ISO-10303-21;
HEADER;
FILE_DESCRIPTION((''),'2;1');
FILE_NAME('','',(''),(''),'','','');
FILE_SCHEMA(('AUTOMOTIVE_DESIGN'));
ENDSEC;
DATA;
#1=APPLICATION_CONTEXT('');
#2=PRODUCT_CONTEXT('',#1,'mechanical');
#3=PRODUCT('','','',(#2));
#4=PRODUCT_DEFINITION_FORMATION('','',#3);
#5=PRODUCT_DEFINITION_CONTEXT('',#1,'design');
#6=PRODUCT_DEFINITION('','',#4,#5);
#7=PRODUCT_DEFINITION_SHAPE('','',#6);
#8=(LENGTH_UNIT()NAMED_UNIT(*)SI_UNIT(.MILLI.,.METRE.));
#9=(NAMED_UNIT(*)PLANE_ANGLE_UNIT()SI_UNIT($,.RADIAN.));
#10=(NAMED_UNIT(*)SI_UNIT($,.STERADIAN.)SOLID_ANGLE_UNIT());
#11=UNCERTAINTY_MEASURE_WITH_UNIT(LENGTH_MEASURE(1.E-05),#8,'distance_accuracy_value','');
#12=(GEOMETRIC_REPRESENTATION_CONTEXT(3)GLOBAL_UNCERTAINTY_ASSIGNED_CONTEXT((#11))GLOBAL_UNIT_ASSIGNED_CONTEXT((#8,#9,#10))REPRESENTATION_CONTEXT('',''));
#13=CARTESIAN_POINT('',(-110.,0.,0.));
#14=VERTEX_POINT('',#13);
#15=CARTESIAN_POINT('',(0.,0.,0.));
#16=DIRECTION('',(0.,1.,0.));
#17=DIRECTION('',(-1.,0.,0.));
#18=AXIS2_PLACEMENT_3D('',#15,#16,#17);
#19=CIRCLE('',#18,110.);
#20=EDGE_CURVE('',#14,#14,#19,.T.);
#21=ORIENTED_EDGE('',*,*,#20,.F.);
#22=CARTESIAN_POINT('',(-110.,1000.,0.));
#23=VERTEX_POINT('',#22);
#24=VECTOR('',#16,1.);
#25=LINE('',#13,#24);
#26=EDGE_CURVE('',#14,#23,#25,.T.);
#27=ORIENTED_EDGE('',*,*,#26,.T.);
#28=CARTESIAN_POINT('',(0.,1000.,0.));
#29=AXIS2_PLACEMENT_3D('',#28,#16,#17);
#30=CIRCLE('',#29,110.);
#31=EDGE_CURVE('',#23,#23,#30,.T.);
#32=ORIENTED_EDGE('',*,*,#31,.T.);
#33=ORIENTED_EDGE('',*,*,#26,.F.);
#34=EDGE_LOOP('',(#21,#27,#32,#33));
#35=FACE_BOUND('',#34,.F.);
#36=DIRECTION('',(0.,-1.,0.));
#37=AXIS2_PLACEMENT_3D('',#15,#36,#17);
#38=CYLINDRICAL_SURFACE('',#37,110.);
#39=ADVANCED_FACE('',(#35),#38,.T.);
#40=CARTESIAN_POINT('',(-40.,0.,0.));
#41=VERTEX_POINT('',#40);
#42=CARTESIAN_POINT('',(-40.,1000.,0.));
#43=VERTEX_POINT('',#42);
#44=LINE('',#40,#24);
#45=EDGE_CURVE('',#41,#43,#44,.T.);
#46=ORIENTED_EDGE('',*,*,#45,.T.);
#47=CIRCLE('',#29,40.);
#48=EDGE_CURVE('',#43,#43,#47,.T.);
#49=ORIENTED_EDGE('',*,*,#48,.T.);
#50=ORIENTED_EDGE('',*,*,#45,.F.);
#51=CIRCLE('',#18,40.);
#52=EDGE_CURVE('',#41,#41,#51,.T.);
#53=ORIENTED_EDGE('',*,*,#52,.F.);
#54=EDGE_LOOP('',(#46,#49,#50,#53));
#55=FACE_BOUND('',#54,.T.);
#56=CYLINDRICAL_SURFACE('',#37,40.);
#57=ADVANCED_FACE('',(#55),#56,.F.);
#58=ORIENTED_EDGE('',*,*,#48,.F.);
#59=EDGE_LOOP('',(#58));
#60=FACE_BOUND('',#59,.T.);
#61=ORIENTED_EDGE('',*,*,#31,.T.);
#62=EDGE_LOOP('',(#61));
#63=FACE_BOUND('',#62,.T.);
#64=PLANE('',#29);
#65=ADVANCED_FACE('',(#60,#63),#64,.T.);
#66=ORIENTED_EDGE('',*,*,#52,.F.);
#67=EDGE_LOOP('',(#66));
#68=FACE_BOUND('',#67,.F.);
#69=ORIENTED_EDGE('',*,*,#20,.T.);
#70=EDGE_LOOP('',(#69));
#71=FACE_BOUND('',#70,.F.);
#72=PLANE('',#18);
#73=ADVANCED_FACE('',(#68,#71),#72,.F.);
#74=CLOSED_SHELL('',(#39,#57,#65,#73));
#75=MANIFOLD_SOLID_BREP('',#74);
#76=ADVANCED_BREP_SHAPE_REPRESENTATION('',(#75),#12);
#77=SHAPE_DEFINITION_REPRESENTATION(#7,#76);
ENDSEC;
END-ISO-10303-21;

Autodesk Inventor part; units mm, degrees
ref_plane "YZ Plane" through (0, 0, 0) normal (1, 0, 0) x (0, 1, 0)
ref_plane "XZ Plane" through (0, 0, 0) normal (0, 1, 0) x (-1, 0, 0)
ref_plane "XY Plane" through (0, 0, 0) normal (0, 0, 1) x (1, 0, 0)
sketch "Sketch1" plane through (0, 0, 0) normal (0, 1, 0) x (-1, 0, 0)
  circle A0 centre (0, 0) radius 40
  circle A1 centre (0, 0) radius 110
  dimension "d0" = 80
  dimension "d1" = 220
extrude "Extrusion1" add sketch "Sketch1" along normal blind 1000
properties part number "Beton" material "Concrete"
